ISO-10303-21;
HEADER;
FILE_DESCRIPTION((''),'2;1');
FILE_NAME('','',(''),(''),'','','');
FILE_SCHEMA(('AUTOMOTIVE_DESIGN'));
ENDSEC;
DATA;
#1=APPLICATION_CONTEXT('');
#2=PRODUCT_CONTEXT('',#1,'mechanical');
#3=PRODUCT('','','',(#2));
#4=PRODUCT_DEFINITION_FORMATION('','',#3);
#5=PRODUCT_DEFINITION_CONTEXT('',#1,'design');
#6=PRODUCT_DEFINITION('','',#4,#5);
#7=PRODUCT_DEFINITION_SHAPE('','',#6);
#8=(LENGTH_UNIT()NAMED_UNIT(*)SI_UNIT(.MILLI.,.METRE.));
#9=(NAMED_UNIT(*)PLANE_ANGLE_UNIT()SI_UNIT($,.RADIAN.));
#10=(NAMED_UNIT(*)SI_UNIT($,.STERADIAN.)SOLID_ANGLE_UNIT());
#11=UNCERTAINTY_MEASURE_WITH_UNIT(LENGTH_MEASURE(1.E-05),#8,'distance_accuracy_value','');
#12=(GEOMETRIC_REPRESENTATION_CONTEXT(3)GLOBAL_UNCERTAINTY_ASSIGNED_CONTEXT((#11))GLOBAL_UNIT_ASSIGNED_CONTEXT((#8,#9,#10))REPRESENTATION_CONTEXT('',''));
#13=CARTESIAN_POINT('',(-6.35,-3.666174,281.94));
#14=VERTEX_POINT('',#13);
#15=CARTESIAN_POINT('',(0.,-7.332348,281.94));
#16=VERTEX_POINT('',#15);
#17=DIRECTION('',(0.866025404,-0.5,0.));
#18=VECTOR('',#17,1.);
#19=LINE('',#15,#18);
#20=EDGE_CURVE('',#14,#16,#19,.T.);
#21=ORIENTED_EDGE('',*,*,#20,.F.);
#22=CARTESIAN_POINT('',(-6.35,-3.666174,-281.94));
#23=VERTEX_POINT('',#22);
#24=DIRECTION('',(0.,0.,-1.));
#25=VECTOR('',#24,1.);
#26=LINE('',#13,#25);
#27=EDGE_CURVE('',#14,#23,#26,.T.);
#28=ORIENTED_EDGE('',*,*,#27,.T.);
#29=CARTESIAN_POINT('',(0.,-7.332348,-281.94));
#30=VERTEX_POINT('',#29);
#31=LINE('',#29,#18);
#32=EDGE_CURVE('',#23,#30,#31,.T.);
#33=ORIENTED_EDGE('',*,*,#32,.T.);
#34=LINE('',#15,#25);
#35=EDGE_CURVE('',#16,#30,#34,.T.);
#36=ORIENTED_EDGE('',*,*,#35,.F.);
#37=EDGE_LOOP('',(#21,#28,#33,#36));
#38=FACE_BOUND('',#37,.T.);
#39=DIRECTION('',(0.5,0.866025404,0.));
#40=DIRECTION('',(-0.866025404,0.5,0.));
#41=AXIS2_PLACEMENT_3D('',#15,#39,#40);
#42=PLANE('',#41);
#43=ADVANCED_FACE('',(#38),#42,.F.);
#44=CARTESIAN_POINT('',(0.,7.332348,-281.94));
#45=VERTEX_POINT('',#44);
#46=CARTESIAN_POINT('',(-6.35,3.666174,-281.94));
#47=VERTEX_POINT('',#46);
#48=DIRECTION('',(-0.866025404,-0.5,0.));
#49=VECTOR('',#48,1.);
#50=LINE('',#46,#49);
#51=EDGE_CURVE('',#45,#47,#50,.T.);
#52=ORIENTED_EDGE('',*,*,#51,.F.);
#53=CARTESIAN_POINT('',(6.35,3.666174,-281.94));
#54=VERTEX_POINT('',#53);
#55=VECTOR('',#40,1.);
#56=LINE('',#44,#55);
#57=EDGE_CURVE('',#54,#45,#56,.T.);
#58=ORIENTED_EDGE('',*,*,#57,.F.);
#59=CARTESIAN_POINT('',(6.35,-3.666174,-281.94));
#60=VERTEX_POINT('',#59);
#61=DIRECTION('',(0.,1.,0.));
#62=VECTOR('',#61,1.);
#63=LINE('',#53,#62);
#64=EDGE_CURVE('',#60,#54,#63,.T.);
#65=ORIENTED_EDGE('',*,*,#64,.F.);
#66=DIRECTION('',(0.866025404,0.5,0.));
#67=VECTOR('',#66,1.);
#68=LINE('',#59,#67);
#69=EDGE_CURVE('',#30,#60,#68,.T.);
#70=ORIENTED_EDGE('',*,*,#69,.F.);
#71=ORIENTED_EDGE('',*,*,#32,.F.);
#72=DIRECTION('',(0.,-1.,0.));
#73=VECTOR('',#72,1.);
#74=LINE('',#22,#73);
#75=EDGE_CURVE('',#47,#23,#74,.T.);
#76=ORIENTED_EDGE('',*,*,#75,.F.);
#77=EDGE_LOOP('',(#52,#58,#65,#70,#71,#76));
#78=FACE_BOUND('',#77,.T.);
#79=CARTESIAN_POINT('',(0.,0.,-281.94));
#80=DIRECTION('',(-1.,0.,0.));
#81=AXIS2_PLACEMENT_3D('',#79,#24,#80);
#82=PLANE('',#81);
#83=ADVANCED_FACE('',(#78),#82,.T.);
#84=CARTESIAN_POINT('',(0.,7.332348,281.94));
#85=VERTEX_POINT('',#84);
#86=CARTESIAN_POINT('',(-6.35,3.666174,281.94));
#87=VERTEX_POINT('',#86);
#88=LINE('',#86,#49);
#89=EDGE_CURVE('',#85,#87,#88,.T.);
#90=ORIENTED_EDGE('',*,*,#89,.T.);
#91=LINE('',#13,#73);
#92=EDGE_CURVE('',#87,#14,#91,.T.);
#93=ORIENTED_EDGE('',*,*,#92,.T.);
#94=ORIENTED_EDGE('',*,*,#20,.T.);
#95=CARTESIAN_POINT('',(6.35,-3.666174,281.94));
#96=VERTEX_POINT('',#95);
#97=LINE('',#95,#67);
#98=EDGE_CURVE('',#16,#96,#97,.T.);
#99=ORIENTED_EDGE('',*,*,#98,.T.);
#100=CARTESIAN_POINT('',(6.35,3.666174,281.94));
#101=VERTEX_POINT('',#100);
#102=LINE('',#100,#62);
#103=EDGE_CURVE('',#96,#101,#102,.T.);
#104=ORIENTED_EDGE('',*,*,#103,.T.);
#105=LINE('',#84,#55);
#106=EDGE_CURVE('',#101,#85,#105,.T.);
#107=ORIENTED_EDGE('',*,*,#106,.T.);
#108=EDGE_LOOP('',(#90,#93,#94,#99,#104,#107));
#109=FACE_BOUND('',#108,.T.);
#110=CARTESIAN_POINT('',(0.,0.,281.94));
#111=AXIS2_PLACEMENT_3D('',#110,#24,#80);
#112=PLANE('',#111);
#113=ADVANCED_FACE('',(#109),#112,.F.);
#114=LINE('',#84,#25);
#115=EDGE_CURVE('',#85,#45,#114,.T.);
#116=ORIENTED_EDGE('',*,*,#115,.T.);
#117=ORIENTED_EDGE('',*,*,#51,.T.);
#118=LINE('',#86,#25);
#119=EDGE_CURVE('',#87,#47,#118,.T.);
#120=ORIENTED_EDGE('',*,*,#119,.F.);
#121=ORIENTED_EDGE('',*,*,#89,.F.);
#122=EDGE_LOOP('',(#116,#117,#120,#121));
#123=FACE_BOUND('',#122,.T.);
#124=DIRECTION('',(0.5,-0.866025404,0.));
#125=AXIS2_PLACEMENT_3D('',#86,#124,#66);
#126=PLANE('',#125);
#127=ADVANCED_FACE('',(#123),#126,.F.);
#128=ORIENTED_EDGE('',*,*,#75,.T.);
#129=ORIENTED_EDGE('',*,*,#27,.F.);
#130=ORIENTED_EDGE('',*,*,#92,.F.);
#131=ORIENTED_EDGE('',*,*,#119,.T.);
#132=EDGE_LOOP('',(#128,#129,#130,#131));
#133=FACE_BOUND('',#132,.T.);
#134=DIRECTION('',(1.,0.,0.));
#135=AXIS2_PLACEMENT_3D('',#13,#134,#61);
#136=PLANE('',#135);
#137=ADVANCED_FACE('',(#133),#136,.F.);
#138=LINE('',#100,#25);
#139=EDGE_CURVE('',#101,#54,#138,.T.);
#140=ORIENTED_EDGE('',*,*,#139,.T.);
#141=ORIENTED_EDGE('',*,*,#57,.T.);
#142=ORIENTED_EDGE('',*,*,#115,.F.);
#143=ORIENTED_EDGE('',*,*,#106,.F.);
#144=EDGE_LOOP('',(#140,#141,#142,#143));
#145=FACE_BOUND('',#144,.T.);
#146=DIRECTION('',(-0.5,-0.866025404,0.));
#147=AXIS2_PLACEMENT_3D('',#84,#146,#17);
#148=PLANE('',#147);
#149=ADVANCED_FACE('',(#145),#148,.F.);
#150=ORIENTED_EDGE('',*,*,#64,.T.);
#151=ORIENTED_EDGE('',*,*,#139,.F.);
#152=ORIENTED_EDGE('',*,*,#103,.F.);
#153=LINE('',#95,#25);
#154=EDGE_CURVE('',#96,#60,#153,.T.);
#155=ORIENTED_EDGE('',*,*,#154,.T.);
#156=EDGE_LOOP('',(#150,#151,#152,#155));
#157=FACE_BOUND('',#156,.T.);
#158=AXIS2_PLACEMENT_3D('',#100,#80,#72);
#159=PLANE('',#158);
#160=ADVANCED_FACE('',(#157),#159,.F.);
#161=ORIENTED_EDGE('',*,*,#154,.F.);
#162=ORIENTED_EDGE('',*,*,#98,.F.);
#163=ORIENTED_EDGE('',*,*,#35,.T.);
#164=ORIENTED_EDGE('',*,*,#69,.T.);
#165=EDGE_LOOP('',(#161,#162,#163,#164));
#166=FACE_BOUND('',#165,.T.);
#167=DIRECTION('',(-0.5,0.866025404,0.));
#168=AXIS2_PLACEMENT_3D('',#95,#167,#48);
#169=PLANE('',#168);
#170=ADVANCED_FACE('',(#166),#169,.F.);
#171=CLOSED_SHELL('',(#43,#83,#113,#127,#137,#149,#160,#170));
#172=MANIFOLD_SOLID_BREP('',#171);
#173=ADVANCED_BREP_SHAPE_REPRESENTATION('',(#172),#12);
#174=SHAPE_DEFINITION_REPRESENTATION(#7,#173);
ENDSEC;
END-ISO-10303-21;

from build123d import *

# Parameters (mm, degrees)
BOSS_EXTRUDE1_DEPTH = 281.94


with BuildPart() as part:
    # Sketch3 → Boss-Extrude1 (new, symmetric)
    with BuildSketch(Plane.XY):
        Polygon((0, 7.332348419), (6.35, 3.666174209), (6.35, -3.666174209), (0, -7.332348419), (-6.35, -3.666174209), (-6.35, 3.666174209), align=None)
    extrude(amount=BOSS_EXTRUDE1_DEPTH, both=True)


solid = part.part
